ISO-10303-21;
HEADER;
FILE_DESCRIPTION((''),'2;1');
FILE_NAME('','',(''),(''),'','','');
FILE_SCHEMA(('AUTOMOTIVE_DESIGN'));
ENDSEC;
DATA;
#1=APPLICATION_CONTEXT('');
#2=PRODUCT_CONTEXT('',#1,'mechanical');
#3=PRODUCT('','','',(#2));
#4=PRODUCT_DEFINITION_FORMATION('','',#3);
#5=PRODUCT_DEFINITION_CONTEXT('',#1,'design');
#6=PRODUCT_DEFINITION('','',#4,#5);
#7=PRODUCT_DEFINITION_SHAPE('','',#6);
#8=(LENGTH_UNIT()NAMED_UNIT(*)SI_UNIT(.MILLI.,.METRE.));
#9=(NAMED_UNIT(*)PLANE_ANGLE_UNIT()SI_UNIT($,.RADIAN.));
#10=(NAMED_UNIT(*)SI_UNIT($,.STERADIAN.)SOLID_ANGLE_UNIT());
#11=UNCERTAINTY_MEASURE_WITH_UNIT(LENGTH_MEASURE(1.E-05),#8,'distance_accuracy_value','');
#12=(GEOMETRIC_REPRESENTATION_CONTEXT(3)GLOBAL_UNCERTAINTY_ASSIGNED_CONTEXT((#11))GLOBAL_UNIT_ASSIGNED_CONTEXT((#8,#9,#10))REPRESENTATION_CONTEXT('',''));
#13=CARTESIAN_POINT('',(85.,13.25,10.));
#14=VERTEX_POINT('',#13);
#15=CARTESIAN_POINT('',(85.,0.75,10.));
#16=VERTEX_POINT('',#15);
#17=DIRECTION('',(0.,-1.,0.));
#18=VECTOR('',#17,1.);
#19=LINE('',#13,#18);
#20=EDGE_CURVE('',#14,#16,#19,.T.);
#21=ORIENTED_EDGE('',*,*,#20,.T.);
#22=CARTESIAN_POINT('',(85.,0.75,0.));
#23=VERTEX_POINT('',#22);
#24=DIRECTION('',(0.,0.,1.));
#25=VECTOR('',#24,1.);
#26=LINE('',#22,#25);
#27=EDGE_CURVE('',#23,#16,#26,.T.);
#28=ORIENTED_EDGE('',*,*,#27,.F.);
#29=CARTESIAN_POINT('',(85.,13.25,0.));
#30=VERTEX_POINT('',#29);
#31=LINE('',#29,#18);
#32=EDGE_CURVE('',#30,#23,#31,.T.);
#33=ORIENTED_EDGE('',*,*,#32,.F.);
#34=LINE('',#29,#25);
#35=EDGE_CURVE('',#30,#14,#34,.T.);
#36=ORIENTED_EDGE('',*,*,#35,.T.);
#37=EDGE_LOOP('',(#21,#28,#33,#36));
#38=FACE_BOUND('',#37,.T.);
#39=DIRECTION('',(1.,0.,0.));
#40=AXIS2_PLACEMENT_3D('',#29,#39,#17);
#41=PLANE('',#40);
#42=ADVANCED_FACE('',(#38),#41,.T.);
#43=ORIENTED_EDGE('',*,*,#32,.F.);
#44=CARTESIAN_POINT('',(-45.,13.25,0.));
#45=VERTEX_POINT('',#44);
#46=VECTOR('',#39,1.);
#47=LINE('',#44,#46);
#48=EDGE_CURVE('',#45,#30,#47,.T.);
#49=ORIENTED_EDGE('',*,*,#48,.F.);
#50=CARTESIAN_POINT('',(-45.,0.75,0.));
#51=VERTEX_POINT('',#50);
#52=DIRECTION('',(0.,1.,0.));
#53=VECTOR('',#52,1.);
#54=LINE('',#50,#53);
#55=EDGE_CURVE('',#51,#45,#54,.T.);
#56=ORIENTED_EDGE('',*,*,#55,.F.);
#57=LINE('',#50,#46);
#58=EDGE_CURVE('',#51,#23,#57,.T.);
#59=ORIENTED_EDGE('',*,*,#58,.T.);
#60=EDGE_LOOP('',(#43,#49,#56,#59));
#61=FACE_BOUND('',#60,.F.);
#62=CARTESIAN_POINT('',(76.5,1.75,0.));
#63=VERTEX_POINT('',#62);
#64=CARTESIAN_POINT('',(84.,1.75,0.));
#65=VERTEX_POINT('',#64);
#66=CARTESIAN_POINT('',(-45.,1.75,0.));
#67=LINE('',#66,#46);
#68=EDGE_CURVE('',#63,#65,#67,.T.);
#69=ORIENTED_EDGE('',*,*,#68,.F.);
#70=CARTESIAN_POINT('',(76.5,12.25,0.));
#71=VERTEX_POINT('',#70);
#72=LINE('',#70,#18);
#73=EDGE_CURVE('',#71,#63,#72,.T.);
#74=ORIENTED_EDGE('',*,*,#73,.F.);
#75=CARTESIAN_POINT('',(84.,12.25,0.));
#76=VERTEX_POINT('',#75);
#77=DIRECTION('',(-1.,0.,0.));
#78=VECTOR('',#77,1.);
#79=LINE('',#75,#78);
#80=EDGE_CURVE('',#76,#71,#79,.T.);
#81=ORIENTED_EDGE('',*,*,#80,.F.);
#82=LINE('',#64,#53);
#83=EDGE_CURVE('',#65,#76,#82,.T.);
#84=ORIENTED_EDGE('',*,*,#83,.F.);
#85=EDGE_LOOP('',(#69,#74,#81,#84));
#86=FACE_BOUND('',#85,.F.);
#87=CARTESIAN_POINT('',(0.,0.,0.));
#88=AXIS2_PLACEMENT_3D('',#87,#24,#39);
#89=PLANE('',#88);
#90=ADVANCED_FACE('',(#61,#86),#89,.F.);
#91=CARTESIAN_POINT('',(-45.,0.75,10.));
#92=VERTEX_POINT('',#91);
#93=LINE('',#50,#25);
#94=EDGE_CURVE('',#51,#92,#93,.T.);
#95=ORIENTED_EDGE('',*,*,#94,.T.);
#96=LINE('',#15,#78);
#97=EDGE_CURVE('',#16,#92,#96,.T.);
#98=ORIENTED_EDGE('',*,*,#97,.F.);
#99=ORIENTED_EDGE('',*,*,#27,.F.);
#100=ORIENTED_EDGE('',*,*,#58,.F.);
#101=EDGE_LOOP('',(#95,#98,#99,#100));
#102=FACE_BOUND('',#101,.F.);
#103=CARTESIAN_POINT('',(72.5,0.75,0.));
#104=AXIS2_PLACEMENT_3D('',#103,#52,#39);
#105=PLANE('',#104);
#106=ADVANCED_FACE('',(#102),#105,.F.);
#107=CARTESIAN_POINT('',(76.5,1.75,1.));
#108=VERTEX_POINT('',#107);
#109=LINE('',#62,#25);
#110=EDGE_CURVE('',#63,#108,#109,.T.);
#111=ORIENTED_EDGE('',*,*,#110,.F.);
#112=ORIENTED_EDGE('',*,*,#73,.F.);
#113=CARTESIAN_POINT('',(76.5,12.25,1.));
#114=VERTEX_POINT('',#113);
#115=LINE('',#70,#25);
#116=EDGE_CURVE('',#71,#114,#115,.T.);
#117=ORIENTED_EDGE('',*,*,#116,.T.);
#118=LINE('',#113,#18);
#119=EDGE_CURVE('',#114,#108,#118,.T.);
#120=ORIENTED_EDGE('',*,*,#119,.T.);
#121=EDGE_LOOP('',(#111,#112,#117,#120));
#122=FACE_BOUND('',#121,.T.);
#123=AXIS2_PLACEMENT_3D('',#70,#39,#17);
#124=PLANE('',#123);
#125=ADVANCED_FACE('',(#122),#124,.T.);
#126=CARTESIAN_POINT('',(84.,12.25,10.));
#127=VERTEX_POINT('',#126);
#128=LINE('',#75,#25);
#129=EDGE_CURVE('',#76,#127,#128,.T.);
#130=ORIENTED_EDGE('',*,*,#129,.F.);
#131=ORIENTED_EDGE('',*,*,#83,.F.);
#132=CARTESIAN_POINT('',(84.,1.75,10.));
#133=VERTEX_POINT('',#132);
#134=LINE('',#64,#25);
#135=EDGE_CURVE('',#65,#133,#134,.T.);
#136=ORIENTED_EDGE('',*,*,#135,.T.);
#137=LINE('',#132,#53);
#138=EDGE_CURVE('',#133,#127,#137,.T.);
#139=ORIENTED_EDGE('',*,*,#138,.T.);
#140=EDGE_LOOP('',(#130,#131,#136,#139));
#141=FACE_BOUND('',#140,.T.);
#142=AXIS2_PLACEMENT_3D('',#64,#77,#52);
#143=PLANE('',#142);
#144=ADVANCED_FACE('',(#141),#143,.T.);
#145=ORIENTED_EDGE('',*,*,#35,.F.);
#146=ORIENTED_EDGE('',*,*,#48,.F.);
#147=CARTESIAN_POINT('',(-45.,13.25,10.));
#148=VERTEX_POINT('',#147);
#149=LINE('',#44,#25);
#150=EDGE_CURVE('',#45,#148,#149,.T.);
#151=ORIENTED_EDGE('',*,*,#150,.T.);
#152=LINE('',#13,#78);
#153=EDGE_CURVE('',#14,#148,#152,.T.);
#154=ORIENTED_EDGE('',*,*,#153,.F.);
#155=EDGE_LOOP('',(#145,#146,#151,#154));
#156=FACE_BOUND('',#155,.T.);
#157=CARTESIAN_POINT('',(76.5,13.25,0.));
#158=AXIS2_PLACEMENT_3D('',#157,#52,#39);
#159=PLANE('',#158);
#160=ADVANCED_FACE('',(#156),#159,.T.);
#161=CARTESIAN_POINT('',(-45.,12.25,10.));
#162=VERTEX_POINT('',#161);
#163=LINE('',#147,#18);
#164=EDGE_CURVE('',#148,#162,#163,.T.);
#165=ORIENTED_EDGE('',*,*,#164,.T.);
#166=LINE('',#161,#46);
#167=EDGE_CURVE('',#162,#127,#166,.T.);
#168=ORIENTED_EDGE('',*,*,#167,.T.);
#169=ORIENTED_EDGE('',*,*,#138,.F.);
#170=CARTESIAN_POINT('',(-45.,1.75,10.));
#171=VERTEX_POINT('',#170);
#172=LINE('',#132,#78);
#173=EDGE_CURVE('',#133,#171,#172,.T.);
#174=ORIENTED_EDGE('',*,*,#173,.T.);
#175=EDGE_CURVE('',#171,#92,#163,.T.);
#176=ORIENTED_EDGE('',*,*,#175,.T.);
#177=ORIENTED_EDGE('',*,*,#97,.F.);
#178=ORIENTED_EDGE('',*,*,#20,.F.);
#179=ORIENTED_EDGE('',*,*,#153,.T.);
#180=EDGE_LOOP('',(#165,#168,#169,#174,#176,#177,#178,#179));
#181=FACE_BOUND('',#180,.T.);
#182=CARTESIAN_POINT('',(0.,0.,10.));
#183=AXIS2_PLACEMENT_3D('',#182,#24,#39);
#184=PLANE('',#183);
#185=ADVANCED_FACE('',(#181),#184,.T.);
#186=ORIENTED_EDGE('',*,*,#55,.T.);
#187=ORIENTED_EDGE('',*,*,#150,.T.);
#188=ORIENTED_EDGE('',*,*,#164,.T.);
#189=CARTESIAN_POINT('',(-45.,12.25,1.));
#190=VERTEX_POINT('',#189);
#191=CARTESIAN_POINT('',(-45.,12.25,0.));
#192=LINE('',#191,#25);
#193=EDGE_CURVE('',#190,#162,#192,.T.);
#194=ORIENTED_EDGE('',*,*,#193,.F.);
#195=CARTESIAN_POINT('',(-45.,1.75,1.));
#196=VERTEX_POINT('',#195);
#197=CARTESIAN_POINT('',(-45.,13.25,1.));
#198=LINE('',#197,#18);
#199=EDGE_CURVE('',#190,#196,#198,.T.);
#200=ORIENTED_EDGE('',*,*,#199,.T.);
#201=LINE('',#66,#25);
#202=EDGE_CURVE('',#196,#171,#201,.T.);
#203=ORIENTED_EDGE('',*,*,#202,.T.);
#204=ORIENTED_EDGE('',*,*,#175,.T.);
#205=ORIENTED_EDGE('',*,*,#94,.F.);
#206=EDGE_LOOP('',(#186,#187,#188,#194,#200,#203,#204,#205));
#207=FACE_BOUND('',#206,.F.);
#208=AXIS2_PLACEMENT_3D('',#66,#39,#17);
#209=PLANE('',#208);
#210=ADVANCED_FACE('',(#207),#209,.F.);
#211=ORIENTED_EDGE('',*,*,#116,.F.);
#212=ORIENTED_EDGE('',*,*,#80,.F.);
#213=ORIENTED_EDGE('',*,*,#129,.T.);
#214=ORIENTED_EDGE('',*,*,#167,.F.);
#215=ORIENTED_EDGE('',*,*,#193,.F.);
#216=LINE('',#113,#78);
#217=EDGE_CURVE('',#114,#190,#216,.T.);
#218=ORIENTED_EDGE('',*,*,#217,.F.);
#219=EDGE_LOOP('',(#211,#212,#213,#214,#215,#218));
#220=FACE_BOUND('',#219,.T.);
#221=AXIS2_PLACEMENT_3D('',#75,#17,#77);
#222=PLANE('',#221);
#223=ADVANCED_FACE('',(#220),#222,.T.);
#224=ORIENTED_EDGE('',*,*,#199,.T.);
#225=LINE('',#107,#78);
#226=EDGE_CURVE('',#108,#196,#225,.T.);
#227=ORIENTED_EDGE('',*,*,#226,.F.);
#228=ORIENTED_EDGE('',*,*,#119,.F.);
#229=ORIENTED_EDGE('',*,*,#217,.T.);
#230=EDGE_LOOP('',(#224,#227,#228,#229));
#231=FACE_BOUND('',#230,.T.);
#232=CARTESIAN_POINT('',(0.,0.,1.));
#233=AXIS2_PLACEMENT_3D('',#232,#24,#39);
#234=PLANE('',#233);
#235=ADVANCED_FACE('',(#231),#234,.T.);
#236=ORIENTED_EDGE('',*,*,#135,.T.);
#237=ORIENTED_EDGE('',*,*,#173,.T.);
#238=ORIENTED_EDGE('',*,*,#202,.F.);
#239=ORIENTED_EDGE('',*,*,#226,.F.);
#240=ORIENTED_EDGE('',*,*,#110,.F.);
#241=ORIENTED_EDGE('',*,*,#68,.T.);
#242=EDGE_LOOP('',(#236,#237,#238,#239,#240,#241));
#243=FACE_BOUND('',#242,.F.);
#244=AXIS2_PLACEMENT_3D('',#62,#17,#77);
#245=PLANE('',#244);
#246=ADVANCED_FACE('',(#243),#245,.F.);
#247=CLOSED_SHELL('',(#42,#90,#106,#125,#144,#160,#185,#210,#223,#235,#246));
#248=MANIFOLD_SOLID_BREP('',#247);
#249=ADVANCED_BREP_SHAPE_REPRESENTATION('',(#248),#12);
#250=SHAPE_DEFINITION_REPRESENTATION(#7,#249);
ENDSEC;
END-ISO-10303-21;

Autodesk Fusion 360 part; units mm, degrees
sketch "Sketch1" plane through (0, 0, 0) normal (0, 0, 1) x (1, 0, 0)
  line L0 (76.5, 1.75) -> (84, 1.75)
  line L1 (84, 1.75) -> (84, 12.25)
  line L2 (84, 12.25) -> (76.5, 12.25)
  line L3 (76.5, 12.25) -> (76.5, 1.75)
  line L4 (85, -2.75) -> (72.5, -2.75)
  line L5 (72.5, -2.75) -> (72.5, 13.25)
  line L6 (72.5, 13.25) -> (85, 13.25)
  line L7 (85, 13.25) -> (85, -2.75)
  line L8 (85, -2.75) -> (72.5, 13.25) construction
  line L9 (72.5, -2.75) -> (85, 13.25) construction
  line L10 (85, 13.25) -> (-45, 13.25)
  line L11 (-45, 13.25) -> (-45, 0.75)
  line L12 (-45, 0.75) -> (85, 0.75)
  line L13 (85, 0.75) -> (85, 13.25)
  line L14 (76.5, 12.25) -> (-45, 12.25)
  line L15 (-45, 12.25) -> (-45, 13.25)
  line L16 (-45, 13.25) -> (76.5, 13.25)
  line L17 (76.5, 13.25) -> (76.5, 12.25)
  line L18 (76.5, 1.75) -> (-45, 1.75)
  line L19 (-45, 1.75) -> (-45, 0.75)
  line L20 (-45, 0.75) -> (76.5, 0.75)
  line L21 (76.5, 0.75) -> (76.5, 1.75)
  point P0 (78.75, 5.25)
  dimension "d1" = 7.5
  dimension "d2" = 10.5
  dimension "d3" = 12.5
  dimension "d4" = 16
  dimension "d5" = 130
  dimension "d6" = 12.5
  dimension "d11" = 1
  dimension "d12" = 1
extrude "Extrude1" add sketch "Sketch1" along normal blind 10 contours L5 L12 L18 L20 L21 | L0 L1 L2 L6 L7 L10 L12 L13 L17 L21 | L5 L6 L10 L14 L16 L17 | L5 L11 L12 L18 L19 L20 | L5 L10 L11 L14 L15 L16
extrude "Extrude2" add sketch "Sketch1" along normal blind 1 contours L3 L5 L14 L18 | L5 L11 L14 L18
